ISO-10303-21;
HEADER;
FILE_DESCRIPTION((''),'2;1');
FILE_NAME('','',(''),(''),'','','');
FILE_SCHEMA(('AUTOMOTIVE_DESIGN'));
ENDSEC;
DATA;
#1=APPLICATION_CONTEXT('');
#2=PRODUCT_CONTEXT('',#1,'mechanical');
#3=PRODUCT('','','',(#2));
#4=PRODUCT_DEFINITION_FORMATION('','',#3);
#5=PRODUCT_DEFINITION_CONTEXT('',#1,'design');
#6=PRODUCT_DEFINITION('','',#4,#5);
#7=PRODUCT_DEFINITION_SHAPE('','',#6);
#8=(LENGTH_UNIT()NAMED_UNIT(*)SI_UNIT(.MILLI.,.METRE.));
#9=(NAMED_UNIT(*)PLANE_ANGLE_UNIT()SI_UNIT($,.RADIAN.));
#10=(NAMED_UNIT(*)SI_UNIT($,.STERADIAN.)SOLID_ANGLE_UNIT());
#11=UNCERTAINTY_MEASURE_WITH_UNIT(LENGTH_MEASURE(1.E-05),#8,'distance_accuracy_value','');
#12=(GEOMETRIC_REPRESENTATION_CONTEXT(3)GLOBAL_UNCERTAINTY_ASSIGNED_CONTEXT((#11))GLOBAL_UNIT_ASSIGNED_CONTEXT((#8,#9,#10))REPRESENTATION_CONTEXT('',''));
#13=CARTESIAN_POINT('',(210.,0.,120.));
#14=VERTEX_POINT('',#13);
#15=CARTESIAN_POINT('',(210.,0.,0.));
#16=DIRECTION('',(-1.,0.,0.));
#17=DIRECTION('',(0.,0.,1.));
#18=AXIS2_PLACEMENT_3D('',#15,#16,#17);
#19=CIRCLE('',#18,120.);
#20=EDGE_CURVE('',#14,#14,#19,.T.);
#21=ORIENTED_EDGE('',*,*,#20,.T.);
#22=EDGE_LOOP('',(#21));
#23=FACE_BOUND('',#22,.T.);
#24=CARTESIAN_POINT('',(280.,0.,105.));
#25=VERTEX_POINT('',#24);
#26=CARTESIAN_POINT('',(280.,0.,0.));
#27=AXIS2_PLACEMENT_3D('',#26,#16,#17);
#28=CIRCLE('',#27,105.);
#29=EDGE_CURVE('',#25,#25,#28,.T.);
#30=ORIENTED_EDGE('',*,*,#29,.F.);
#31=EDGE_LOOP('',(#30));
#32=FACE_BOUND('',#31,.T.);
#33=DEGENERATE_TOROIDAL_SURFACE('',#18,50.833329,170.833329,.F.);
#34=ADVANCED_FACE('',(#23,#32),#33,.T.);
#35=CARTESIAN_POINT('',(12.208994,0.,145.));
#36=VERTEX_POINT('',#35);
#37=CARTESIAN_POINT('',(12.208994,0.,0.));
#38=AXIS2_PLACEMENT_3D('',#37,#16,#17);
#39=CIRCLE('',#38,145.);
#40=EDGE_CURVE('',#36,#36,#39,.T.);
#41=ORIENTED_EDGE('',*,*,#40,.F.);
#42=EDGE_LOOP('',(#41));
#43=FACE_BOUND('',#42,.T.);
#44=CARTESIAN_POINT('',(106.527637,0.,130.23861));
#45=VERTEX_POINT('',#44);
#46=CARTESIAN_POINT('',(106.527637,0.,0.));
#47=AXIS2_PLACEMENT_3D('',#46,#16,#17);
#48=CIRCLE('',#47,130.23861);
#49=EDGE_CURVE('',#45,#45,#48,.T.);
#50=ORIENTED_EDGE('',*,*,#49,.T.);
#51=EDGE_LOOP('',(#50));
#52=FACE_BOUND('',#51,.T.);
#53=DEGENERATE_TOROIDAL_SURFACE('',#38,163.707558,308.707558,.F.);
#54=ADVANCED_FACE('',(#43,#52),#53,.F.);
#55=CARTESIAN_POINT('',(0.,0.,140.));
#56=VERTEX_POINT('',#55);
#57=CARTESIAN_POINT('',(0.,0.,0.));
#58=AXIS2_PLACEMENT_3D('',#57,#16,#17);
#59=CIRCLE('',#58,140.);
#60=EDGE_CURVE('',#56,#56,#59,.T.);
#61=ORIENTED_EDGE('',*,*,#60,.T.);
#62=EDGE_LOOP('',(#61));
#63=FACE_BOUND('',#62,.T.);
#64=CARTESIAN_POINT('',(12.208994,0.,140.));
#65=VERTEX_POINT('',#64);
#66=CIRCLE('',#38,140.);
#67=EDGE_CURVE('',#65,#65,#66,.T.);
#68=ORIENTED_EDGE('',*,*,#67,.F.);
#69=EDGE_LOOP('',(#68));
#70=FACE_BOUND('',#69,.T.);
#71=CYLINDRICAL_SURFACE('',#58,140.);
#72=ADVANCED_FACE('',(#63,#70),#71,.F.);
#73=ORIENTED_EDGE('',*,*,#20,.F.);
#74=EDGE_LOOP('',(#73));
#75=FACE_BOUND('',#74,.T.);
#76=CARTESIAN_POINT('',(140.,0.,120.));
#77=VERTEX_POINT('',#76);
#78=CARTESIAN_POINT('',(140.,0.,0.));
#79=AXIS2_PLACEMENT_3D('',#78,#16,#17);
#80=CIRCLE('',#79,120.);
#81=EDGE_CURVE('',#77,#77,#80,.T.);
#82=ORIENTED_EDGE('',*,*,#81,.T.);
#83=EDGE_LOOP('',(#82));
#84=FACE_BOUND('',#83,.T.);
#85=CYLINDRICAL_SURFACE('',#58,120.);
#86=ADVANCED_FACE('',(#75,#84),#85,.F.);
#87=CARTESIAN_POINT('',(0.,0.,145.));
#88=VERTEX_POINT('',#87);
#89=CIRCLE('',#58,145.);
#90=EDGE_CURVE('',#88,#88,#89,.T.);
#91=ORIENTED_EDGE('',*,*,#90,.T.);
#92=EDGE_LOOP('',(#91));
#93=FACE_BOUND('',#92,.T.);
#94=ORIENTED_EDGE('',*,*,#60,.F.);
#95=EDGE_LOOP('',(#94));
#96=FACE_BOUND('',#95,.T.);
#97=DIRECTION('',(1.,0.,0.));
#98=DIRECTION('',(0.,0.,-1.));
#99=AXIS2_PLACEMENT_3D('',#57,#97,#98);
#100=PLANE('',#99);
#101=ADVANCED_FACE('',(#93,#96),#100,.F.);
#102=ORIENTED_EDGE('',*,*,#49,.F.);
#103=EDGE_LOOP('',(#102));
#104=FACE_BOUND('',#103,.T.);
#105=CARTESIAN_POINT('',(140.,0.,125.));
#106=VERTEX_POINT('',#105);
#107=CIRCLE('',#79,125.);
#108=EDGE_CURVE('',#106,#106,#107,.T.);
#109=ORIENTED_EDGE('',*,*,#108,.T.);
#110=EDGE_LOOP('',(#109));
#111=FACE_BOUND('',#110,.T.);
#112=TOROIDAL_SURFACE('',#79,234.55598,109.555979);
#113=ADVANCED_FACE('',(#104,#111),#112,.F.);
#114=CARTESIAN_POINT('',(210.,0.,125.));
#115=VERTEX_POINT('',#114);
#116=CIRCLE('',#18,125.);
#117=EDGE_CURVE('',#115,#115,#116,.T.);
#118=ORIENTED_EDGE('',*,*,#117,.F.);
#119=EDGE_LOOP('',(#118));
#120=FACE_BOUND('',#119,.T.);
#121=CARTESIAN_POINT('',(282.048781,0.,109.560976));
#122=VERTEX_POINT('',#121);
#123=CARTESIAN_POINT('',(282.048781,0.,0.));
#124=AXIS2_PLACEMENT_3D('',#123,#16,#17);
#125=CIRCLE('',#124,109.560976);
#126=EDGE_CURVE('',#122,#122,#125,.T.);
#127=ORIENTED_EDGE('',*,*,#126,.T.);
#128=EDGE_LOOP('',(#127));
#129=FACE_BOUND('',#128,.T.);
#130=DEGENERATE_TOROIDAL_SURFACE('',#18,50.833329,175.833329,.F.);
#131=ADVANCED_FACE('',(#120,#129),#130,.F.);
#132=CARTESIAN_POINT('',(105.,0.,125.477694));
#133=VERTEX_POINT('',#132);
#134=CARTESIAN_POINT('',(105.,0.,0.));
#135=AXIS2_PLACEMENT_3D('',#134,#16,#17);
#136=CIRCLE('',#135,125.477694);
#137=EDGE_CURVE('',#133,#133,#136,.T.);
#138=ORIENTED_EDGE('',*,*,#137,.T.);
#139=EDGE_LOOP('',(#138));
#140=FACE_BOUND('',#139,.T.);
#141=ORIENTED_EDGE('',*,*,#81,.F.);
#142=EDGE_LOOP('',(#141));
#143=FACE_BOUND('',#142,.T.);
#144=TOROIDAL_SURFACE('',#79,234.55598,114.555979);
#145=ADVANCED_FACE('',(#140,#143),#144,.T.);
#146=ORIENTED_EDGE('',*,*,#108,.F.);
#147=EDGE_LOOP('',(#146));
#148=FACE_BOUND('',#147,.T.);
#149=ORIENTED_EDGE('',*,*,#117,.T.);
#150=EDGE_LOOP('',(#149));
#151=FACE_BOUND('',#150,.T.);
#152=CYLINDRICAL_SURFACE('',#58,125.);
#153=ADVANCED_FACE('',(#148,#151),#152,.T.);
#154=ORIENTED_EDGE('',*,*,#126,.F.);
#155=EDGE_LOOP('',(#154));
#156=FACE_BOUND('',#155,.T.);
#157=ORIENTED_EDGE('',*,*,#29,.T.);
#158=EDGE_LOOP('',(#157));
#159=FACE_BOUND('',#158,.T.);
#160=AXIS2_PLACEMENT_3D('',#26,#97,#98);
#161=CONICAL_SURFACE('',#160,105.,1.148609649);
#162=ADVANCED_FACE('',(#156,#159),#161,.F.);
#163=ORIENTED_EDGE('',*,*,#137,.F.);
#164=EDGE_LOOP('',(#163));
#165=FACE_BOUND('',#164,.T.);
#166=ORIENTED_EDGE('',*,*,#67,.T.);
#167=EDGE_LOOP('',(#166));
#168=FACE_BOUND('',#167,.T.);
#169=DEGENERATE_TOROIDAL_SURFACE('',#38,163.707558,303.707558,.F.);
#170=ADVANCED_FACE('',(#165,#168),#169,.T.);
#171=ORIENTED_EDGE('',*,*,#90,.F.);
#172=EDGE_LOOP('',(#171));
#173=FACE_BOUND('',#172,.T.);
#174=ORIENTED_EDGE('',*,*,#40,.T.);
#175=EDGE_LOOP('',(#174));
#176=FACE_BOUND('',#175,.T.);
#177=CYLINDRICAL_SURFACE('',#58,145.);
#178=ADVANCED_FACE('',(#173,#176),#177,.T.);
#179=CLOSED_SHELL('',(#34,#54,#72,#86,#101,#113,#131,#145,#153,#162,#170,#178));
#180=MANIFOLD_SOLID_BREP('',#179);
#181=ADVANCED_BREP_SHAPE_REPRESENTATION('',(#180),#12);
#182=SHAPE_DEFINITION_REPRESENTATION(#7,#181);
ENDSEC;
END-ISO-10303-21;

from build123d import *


with BuildPart() as part:
    # Sketch1 → Revolve1 (revolve)
    with BuildSketch(Plane.XY, mode=Mode.PRIVATE) as revolve1_sk:
        with BuildLine():
            ThreePointArc((210, 125.0000004), (246.84219817, 121.096924766), (282.048780538, 109.560975587))
            Line((282.048780538, 109.560975587), (280, 105))
            ThreePointArc((280, 105), (245.7945527, 116.207912702), (210, 120.0000004))
            Line((210, 120.0000004), (140, 120.0000004))
            ThreePointArc((140, 120.0000004), (122.286974227, 121.377708328), (105, 125.477694091))
            ThreePointArc((105, 125.477694091), (59.169265001, 136.347459879), (12.208994244, 140))
            Line((12.208994244, 140), (0, 140))
            Line((0, 140), (0, 145))
            Line((0, 145), (12.208994244, 145))
            ThreePointArc((12.208994244, 145), (59.942381599, 141.287327359), (106.527637417, 130.238610381))
            ThreePointArc((106.527637417, 130.238610381), (123.060090825, 126.317575808), (140, 125.0000004))
            Line((140, 125.0000004), (210, 125.0000004))
        make_face()
    revolve(revolve1_sk.sketch.rotate(Axis((0, 0, 0), (1, 0, 0)), 90), axis=Axis((0, 0, 0), (1, 0, 0)))


solid = part.part
